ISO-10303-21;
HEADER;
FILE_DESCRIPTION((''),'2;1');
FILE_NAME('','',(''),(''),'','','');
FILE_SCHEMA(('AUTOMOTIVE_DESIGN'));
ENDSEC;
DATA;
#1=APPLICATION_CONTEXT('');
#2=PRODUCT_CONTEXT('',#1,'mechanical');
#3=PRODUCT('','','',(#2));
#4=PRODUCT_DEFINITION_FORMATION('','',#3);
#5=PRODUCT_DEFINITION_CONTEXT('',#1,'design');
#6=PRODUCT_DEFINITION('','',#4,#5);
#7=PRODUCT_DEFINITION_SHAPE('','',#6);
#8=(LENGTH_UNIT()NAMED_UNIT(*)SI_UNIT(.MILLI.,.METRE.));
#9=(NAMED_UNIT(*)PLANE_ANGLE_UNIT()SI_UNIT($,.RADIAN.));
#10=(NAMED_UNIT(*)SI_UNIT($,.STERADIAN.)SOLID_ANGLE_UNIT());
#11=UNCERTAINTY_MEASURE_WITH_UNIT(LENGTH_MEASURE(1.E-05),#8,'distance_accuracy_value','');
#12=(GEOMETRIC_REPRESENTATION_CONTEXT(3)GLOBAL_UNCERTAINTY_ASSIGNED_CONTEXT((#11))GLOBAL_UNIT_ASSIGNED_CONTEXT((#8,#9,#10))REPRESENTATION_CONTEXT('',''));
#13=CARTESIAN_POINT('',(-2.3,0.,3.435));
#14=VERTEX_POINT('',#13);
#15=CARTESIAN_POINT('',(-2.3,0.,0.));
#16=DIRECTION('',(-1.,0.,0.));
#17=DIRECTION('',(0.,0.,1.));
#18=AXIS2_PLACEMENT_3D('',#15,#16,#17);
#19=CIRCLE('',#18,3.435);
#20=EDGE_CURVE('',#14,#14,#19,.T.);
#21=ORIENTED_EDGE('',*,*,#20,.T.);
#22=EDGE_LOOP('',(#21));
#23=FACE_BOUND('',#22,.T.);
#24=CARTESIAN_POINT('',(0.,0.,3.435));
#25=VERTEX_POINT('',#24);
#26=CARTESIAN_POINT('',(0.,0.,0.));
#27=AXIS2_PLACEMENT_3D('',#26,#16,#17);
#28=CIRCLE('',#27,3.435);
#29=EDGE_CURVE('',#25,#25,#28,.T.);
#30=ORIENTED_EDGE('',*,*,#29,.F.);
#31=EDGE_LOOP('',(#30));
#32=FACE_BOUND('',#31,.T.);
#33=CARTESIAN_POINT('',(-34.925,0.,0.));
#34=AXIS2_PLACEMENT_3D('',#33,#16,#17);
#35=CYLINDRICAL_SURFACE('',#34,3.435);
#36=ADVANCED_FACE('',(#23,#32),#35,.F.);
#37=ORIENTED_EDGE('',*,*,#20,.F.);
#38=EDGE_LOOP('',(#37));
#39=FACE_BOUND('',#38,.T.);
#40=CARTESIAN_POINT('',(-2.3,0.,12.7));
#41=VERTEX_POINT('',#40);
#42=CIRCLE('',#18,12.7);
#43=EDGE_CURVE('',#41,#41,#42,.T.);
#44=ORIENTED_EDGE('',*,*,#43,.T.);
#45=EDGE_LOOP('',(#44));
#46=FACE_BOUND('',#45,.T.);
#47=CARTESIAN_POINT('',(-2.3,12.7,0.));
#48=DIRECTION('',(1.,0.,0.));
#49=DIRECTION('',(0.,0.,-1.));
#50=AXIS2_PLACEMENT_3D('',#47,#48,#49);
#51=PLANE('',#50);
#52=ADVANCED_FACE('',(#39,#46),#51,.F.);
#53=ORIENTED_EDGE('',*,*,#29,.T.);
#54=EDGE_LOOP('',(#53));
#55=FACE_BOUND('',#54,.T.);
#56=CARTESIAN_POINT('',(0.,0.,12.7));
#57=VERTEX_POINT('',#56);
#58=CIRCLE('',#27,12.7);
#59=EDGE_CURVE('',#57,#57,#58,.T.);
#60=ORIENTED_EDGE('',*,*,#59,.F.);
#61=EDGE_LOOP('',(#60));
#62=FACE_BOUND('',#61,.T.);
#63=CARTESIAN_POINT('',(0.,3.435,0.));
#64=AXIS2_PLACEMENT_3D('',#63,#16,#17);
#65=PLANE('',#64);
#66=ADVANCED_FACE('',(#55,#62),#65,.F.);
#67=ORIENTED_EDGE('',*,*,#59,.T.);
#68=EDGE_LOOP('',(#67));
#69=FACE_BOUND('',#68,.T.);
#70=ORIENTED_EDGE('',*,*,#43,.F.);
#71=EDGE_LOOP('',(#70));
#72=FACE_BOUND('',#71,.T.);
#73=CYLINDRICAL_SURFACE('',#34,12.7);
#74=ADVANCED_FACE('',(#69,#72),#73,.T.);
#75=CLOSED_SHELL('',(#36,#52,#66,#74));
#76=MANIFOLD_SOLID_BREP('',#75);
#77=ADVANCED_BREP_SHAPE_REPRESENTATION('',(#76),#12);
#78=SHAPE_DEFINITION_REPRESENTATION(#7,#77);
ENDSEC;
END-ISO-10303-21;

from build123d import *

# Parameters (mm, degrees)
SKETCH1_W = 2.3
SKETCH1_H = 9.265


with BuildPart() as part:
    # Sketch1 → Base-Revolve (revolve)
    with BuildSketch(Plane.XY):
        with Locations((-1.15, 8.0675)):
            Rectangle(SKETCH1_W, SKETCH1_H)
    revolve(axis=Axis((-34.925, 0, 0), (1, 0, 0)))


solid = part.part
